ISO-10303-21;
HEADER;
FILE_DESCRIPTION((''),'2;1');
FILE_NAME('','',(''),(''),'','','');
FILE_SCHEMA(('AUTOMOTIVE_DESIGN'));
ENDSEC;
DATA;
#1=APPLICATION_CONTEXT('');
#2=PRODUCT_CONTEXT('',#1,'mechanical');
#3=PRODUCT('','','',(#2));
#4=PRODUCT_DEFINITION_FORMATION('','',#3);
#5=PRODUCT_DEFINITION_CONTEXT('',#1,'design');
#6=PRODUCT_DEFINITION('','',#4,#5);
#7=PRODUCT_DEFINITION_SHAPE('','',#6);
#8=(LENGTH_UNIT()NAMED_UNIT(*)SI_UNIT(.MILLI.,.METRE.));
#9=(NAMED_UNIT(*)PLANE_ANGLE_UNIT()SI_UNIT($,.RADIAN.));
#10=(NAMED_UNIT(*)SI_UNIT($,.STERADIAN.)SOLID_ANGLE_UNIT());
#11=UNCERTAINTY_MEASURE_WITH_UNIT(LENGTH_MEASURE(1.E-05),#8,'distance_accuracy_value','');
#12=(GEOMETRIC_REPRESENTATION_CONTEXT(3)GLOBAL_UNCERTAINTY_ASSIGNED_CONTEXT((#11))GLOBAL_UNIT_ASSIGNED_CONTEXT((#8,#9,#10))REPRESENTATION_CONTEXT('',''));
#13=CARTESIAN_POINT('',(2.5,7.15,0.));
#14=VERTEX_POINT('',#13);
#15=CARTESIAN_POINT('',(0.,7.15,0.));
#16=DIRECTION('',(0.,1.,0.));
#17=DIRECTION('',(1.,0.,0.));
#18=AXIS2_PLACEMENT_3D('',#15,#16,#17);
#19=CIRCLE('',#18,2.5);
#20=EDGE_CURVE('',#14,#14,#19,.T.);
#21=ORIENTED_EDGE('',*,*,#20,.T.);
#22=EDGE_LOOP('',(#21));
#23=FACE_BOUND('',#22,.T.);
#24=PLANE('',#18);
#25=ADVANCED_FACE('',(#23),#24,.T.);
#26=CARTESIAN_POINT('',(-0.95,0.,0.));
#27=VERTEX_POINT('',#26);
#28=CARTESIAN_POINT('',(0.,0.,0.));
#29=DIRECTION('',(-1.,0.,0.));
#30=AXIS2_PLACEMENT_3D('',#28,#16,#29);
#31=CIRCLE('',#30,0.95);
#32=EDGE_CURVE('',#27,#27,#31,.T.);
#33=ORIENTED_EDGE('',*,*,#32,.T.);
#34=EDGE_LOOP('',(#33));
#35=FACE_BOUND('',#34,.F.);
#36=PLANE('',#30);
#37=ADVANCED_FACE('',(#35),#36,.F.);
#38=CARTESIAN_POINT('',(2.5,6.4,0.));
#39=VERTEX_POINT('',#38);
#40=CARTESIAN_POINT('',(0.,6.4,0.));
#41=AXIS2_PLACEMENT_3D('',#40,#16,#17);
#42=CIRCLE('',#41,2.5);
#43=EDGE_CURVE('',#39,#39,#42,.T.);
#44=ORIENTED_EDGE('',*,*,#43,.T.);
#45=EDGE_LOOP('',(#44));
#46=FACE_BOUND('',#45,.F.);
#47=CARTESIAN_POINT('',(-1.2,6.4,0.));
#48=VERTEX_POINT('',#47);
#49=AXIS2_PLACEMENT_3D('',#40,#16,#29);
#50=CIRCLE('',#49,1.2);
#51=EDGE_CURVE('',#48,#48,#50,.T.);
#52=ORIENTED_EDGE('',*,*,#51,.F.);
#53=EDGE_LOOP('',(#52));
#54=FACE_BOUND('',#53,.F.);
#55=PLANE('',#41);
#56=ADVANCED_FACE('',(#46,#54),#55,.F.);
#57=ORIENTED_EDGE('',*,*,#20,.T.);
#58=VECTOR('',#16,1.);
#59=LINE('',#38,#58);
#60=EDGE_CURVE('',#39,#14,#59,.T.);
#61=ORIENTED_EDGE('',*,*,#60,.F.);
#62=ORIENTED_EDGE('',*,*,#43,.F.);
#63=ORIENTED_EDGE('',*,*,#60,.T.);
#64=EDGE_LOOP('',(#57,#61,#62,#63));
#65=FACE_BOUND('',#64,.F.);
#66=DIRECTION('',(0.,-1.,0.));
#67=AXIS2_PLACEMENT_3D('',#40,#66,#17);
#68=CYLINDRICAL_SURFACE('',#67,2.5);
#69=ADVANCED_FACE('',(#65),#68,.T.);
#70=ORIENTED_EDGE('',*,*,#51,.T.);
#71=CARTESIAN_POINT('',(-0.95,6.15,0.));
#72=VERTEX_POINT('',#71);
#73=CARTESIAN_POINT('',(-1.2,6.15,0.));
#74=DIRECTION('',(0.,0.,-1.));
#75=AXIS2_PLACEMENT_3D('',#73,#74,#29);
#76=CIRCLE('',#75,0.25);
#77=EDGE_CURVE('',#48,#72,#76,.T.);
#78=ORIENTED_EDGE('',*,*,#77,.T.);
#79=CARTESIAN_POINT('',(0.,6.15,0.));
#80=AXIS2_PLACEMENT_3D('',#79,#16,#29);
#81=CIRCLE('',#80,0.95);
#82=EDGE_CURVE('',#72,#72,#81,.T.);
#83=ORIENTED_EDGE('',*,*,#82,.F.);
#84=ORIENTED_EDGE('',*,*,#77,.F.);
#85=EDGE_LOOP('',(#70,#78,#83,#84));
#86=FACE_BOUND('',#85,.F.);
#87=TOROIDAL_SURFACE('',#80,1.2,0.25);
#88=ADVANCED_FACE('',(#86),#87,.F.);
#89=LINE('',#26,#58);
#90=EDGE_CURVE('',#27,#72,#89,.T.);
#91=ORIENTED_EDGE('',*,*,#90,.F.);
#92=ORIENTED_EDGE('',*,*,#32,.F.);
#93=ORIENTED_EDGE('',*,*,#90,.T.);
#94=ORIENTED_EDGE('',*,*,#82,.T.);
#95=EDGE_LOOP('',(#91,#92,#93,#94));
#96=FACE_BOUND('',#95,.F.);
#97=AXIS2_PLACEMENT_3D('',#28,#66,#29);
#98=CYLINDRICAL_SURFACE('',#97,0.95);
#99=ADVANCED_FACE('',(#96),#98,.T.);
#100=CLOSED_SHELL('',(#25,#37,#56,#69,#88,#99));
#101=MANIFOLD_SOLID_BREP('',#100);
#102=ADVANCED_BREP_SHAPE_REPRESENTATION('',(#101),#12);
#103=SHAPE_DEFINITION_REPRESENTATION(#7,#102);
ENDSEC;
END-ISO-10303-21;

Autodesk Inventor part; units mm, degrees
ref_plane "YZ Plane" through (0, 0, 0) normal (1, 0, 0) x (0, 1, 0)
ref_plane "XZ Plane" through (0, 0, 0) normal (0, 1, 0) x (-1, 0, 0)
ref_plane "XY Plane" through (0, 0, 0) normal (0, 0, 1) x (1, 0, 0)
sketch "Sketch1" plane through (0, 0, 0) normal (0, 1, 0) x (-1, 0, 0)
  circle A0 centre (0, 0) radius 0.95
  dimension "d0" = 1.9
extrude "Extrusion1" add sketch "Sketch1" along normal blind 6.4
sketch "Sketch2" plane through (0, 6.4, 0) normal (0, 1, 0) x (1, 0, 0)
  circle A0 centre (0, 0) radius 2.5
  dimension "d3" = 5
extrude "Extrusion2" add sketch "Sketch2" along normal blind 0.75
fillet "Fillet1" radius 0.25 1 edges at (0.95, 6.4, 0)
properties part number "enclosure3_button"
